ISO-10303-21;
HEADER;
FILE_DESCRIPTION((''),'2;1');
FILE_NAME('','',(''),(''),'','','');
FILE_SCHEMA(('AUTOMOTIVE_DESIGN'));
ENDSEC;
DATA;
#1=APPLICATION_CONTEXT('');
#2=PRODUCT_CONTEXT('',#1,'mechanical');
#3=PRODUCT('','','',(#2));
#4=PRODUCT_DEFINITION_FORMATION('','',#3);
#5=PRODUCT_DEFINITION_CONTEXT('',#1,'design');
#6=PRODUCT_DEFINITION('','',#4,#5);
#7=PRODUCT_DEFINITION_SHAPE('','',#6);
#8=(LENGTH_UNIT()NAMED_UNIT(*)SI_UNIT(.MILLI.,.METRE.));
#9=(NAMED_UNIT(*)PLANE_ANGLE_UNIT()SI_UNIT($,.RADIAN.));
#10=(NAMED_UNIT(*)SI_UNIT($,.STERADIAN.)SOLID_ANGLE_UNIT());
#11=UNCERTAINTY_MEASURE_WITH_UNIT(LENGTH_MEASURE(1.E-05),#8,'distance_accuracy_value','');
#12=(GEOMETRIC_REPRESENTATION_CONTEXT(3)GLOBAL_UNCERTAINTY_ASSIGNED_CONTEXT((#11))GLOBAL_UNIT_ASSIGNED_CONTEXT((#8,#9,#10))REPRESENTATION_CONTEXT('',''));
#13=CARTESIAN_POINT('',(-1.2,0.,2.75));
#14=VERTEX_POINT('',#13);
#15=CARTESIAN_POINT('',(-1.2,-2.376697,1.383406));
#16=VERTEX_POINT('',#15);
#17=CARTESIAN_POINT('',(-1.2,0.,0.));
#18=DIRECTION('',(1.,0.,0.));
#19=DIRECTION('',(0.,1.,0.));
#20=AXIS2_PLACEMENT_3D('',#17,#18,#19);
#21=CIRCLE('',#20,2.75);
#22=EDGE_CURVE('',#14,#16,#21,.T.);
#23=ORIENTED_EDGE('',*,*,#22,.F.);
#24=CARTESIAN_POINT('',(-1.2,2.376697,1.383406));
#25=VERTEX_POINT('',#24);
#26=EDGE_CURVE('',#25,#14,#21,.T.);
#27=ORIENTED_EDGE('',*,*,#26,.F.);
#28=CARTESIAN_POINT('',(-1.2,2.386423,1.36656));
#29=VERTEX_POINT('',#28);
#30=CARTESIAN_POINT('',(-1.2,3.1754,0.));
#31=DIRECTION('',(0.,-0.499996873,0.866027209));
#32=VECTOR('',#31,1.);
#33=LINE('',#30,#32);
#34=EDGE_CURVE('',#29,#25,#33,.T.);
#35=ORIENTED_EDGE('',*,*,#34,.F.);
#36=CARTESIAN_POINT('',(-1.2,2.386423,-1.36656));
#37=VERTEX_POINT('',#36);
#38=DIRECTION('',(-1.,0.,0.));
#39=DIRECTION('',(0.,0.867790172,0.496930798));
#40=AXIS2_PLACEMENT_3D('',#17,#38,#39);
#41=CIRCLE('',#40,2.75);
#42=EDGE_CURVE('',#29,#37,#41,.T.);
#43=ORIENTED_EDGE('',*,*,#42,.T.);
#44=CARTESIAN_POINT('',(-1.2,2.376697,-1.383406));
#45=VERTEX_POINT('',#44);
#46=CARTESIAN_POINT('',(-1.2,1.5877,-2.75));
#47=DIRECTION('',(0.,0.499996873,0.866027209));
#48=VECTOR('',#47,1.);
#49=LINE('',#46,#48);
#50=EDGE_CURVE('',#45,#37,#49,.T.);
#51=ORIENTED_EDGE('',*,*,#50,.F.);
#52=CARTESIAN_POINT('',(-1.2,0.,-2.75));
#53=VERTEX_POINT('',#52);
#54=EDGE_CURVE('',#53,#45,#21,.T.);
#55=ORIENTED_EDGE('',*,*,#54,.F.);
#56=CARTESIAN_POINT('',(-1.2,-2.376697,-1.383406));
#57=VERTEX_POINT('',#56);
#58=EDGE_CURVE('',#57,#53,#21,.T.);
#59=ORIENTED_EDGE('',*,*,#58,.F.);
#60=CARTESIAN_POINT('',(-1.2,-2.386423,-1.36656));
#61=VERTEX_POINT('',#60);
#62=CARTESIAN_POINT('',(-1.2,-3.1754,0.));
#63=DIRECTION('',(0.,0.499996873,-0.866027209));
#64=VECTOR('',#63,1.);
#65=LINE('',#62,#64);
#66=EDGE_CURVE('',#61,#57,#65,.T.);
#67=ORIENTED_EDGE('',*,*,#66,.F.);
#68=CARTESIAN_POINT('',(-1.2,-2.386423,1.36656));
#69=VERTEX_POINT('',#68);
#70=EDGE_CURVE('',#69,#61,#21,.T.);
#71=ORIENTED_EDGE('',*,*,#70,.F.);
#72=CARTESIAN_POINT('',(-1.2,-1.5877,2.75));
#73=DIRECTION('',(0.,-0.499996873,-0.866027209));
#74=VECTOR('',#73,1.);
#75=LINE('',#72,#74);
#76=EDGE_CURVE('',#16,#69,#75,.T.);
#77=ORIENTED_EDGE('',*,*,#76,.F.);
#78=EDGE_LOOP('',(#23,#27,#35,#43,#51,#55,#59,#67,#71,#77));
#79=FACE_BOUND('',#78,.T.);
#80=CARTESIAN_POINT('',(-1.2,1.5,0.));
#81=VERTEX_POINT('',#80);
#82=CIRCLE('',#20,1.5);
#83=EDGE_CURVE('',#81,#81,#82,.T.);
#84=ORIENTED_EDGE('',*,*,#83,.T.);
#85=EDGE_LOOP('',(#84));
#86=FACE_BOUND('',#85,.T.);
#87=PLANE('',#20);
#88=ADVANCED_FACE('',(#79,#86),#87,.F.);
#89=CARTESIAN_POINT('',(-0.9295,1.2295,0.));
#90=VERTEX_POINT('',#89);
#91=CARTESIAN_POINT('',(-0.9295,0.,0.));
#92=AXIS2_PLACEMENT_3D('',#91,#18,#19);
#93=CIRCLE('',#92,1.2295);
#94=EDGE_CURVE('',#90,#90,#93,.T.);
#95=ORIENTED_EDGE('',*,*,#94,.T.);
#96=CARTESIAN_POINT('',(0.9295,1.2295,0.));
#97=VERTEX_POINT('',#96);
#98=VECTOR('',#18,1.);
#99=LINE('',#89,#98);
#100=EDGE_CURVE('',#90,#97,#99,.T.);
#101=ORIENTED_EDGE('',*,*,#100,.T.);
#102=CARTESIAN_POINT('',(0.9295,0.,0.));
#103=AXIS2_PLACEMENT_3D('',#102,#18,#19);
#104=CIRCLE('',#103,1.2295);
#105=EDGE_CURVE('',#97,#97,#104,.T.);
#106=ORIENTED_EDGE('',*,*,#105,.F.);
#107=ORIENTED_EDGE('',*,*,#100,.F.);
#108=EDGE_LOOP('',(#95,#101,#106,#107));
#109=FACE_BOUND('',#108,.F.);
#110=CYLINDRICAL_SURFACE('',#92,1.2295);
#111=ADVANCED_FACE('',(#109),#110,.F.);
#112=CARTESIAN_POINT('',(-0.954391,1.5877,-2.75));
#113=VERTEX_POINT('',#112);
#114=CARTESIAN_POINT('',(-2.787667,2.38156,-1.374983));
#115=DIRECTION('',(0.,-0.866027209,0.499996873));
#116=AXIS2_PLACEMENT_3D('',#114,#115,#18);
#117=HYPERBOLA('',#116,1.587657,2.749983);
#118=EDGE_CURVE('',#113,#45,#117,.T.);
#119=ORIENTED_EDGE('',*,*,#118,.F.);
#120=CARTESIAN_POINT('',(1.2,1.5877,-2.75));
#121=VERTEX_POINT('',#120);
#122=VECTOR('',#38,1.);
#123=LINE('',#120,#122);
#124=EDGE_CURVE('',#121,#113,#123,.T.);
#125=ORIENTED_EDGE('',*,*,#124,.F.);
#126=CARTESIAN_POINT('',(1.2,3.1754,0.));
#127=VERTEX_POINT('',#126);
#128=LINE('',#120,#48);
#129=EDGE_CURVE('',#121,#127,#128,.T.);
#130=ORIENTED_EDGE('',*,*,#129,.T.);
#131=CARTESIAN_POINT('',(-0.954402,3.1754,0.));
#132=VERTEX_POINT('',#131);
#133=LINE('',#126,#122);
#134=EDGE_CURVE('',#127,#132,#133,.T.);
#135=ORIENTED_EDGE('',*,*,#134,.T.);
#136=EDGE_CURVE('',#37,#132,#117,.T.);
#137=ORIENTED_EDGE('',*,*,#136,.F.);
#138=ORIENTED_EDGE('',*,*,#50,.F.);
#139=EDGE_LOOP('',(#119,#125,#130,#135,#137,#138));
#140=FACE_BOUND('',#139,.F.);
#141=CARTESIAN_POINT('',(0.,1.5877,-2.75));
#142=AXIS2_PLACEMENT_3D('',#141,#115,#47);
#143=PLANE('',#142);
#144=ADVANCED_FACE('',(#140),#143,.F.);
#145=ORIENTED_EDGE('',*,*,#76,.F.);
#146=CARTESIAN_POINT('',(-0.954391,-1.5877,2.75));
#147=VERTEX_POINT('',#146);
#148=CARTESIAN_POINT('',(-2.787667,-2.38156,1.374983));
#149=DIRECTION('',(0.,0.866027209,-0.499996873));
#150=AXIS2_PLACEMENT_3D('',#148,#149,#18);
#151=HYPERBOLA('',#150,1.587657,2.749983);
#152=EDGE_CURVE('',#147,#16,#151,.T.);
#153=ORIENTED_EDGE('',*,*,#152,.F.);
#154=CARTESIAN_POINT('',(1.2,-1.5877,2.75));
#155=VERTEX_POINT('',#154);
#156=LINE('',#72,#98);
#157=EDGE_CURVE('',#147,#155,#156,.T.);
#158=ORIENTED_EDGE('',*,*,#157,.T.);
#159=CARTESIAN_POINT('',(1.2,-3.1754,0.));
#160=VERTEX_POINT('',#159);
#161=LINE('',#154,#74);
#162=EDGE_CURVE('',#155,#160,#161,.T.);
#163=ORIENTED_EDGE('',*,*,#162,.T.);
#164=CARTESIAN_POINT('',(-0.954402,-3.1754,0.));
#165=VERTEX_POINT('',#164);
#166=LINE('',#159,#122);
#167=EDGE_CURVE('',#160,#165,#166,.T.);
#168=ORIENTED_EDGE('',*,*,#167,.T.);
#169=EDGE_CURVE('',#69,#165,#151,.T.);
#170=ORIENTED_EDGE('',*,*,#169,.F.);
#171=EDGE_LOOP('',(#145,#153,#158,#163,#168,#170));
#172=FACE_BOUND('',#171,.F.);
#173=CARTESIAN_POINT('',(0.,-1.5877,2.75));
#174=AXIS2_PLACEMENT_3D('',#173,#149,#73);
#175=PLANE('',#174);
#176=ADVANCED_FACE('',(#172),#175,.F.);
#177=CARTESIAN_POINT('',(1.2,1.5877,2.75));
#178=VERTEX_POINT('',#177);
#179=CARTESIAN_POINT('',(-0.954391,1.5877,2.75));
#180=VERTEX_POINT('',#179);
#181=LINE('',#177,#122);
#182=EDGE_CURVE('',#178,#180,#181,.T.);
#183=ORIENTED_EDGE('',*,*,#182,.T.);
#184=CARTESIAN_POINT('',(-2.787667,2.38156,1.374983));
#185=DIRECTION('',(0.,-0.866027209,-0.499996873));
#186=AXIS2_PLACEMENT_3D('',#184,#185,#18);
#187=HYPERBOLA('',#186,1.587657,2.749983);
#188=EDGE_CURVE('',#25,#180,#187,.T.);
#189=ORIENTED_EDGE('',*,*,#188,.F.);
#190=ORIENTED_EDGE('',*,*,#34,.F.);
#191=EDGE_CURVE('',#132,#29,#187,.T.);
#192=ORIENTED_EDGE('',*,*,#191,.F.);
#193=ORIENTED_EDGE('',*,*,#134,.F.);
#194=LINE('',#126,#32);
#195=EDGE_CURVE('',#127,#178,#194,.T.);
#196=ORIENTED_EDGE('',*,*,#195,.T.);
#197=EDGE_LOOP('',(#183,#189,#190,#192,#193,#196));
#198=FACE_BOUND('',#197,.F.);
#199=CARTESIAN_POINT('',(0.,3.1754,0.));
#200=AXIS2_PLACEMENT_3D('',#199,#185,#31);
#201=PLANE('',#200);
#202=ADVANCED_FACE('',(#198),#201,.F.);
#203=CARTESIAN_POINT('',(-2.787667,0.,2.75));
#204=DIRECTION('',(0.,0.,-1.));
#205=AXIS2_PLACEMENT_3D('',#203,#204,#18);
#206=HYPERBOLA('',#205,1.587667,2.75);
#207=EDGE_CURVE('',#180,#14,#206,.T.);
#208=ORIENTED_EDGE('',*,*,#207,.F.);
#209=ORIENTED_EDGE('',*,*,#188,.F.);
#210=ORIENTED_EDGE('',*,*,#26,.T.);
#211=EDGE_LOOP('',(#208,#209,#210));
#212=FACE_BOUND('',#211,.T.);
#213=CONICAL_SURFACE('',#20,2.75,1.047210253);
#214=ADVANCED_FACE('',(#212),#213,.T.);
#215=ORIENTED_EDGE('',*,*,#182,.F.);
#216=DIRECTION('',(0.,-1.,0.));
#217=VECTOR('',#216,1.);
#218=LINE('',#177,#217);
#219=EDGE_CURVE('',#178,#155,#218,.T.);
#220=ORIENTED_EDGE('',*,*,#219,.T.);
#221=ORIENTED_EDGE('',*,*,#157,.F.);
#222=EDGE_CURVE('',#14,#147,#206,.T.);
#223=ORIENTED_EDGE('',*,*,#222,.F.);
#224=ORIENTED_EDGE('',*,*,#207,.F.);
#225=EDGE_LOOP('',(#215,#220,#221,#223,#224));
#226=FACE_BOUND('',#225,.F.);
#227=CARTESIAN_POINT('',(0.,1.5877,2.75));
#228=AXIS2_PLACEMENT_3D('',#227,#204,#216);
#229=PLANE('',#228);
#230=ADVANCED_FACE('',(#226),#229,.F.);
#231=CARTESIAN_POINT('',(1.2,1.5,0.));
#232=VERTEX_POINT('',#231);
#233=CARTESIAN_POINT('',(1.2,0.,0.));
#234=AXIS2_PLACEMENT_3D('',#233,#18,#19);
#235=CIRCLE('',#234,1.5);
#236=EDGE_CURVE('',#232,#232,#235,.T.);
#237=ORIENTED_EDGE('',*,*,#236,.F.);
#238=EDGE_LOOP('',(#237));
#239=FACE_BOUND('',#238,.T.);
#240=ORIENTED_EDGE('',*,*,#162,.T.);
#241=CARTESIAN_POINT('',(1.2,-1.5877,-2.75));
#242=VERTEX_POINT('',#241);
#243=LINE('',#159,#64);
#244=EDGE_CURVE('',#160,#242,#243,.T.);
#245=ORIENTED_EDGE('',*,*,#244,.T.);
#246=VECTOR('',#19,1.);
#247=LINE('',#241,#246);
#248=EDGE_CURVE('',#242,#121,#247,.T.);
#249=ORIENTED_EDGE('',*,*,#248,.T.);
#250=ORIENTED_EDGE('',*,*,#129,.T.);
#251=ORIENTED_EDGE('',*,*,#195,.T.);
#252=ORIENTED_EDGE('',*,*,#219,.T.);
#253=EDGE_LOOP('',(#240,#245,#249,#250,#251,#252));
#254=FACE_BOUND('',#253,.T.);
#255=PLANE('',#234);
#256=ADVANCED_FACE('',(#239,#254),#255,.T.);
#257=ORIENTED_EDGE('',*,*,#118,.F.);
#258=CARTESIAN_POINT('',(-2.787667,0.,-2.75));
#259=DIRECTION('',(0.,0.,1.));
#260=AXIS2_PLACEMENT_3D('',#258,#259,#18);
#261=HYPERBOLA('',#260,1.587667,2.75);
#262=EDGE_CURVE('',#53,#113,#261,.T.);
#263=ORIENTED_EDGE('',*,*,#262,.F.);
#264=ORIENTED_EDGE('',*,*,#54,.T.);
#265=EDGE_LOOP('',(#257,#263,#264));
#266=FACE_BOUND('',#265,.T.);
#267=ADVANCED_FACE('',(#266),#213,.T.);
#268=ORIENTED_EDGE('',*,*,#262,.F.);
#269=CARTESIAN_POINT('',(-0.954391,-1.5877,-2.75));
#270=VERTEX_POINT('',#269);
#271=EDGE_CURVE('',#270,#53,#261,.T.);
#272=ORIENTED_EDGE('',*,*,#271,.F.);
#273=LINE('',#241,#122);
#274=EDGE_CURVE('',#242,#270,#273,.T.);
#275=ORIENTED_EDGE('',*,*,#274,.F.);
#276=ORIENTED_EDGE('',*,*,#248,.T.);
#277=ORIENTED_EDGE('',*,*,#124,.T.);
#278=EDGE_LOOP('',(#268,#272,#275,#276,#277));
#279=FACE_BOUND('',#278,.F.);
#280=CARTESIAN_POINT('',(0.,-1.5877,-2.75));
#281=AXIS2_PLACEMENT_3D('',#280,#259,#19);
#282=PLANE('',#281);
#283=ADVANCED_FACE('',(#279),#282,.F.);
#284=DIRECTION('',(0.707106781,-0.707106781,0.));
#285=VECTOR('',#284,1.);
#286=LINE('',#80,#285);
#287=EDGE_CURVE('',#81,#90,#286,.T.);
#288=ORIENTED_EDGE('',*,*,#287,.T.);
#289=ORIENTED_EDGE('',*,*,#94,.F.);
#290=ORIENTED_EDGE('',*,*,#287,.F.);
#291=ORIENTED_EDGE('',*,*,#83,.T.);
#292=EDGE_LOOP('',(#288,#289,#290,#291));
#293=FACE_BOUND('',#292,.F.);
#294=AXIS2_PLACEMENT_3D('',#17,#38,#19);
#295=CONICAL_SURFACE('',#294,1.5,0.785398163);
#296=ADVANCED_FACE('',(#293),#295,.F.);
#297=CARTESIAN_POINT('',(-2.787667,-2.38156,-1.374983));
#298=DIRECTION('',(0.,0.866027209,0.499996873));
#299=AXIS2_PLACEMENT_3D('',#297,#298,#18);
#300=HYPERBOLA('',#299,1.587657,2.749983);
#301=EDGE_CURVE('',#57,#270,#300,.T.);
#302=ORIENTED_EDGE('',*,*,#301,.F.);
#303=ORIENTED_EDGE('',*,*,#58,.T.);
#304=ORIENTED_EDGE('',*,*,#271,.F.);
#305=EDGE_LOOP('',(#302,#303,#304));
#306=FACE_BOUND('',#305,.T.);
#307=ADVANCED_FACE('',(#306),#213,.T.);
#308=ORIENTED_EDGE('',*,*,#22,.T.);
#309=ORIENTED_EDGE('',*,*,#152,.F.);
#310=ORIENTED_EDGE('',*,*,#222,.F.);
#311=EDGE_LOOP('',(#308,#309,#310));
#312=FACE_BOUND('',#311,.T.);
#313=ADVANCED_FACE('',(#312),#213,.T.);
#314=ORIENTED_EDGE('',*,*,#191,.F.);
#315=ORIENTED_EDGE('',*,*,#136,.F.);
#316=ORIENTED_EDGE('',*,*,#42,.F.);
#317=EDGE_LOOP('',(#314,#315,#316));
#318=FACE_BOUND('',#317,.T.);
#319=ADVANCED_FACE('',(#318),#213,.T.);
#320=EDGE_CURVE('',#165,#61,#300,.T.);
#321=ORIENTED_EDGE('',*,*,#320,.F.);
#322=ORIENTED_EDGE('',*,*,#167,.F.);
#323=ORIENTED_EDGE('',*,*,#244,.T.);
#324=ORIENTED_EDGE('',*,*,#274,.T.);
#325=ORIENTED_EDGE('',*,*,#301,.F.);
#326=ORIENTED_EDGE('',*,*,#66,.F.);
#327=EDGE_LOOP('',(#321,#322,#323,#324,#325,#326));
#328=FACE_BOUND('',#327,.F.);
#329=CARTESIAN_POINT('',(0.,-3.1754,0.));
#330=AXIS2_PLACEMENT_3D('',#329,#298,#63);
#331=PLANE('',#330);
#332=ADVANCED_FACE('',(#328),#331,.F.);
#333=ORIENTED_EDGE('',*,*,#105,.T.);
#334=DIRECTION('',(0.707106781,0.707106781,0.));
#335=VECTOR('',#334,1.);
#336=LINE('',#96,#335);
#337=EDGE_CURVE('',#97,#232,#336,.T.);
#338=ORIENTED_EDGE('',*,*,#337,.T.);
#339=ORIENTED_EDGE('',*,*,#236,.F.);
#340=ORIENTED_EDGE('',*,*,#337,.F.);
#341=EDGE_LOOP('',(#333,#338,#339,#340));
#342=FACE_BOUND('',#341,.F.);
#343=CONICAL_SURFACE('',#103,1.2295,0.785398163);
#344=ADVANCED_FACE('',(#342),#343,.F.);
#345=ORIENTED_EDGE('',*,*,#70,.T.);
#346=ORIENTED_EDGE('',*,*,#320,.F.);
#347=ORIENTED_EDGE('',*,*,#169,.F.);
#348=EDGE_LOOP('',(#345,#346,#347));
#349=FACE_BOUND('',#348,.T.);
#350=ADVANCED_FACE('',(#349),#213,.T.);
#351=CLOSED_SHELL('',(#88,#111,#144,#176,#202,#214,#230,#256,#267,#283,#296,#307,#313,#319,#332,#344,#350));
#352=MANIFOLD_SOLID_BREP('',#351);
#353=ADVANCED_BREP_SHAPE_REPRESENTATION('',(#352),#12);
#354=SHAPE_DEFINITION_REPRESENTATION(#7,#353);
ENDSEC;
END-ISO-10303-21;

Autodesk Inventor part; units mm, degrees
sketch "Sketch_1" plane through (0, 0, 0) normal (0, 0, 1) x (1, 0, 0)
  line L0 (1.2, 0) -> (-1.2, 0)
  line L1 (-1.2, 0) -> (-1.2, 2.75)
  line L2 (-1.2, 2.75) -> (-0.9402, 3.2)
  line L3 (-0.9402, 3.2) -> (1.2, 3.2)
  line L4 (1.2, 3.2) -> (1.2, 0)
  line L5 (1.2, 0) -> (-1.2, 0)
revolve "Revolution1" add sketch "Sketch_1" angle 360 about axis through (1.2, 0, 0) along (1, 0, 0)
sketch "Sketch_2" plane through (0, 0, 0) normal (0, 0, 1) x (1, 0, 0)
  line L0 (1.2, 0) -> (-1.2, 0)
  line L1 (-1.2, 0) -> (-1.2, 1.5)
  line L2 (-1.2, 1.5) -> (-0.9295, 1.2295)
  line L3 (-0.9295, 1.2295) -> (0.9295, 1.2295)
  line L4 (0.9295, 1.2295) -> (1.2, 1.5)
  line L5 (1.2, 1.5) -> (1.2, 0)
  line L6 (1.2, 0) -> (-1.2, 0)
revolve "Revolution2" cut sketch "Sketch_2" angle 360 about axis through (1.2, 0, 0) along (1, 0, 0)
thread "Thread1" size "M3x0.5" class "6H" standard "ISO Metric profile" full length
sketch "Sketch_3" plane through (0, 0, 0) normal (1, 0, 0) x (0, 1, 0)
  line L0 (-5.5, 5.5) -> (-5.5, -5.5)
  line L1 (-5.5, -5.5) -> (5.5, -5.5)
  line L2 (5.5, -5.5) -> (5.5, 5.5)
  line L3 (5.5, 5.5) -> (-5.5, 5.5)
  line L4 (-1.5877, 2.75) -> (-3.1754, 0)
  line L5 (-3.1754, 0) -> (-1.5877, -2.75)
  line L6 (-1.5877, -2.75) -> (1.5877, -2.75)
  line L7 (1.5877, -2.75) -> (3.1754, 0)
  line L8 (3.1754, 0) -> (1.5877, 2.75)
  line L9 (1.5877, 2.75) -> (-1.5877, 2.75)
extrude "Extrusion1" cut sketch "Sketch_3" along normal mid plane 2.4
ref_plane "cp_XY" through (1.2, 0, 0) normal (1, 0, 0) x (0, 0, -1)
ref_plane "cp_YZ" through (1.2, 0, 0) normal (0, 0, -1) x (0, 1, 0)
ref_plane "cp_ZX" through (1.2, 0, 0) normal (0, 1, 0) x (1, 0, 0)
ref_plane "nut_to_screw_XY" through (0, 0, 0) normal (1, 0, 0) x (0, 0, -1)
ref_plane "nut_to_screw_YZ" through (0, 0, 0) normal (0, 0, -1) x (0, 1, 0)
ref_plane "nut_to_screw_ZX" through (0, 0, 0) normal (0, 1, 0) x (1, 0, 0)
properties part number "LBNR3" material "鋼、炭素鋼"
